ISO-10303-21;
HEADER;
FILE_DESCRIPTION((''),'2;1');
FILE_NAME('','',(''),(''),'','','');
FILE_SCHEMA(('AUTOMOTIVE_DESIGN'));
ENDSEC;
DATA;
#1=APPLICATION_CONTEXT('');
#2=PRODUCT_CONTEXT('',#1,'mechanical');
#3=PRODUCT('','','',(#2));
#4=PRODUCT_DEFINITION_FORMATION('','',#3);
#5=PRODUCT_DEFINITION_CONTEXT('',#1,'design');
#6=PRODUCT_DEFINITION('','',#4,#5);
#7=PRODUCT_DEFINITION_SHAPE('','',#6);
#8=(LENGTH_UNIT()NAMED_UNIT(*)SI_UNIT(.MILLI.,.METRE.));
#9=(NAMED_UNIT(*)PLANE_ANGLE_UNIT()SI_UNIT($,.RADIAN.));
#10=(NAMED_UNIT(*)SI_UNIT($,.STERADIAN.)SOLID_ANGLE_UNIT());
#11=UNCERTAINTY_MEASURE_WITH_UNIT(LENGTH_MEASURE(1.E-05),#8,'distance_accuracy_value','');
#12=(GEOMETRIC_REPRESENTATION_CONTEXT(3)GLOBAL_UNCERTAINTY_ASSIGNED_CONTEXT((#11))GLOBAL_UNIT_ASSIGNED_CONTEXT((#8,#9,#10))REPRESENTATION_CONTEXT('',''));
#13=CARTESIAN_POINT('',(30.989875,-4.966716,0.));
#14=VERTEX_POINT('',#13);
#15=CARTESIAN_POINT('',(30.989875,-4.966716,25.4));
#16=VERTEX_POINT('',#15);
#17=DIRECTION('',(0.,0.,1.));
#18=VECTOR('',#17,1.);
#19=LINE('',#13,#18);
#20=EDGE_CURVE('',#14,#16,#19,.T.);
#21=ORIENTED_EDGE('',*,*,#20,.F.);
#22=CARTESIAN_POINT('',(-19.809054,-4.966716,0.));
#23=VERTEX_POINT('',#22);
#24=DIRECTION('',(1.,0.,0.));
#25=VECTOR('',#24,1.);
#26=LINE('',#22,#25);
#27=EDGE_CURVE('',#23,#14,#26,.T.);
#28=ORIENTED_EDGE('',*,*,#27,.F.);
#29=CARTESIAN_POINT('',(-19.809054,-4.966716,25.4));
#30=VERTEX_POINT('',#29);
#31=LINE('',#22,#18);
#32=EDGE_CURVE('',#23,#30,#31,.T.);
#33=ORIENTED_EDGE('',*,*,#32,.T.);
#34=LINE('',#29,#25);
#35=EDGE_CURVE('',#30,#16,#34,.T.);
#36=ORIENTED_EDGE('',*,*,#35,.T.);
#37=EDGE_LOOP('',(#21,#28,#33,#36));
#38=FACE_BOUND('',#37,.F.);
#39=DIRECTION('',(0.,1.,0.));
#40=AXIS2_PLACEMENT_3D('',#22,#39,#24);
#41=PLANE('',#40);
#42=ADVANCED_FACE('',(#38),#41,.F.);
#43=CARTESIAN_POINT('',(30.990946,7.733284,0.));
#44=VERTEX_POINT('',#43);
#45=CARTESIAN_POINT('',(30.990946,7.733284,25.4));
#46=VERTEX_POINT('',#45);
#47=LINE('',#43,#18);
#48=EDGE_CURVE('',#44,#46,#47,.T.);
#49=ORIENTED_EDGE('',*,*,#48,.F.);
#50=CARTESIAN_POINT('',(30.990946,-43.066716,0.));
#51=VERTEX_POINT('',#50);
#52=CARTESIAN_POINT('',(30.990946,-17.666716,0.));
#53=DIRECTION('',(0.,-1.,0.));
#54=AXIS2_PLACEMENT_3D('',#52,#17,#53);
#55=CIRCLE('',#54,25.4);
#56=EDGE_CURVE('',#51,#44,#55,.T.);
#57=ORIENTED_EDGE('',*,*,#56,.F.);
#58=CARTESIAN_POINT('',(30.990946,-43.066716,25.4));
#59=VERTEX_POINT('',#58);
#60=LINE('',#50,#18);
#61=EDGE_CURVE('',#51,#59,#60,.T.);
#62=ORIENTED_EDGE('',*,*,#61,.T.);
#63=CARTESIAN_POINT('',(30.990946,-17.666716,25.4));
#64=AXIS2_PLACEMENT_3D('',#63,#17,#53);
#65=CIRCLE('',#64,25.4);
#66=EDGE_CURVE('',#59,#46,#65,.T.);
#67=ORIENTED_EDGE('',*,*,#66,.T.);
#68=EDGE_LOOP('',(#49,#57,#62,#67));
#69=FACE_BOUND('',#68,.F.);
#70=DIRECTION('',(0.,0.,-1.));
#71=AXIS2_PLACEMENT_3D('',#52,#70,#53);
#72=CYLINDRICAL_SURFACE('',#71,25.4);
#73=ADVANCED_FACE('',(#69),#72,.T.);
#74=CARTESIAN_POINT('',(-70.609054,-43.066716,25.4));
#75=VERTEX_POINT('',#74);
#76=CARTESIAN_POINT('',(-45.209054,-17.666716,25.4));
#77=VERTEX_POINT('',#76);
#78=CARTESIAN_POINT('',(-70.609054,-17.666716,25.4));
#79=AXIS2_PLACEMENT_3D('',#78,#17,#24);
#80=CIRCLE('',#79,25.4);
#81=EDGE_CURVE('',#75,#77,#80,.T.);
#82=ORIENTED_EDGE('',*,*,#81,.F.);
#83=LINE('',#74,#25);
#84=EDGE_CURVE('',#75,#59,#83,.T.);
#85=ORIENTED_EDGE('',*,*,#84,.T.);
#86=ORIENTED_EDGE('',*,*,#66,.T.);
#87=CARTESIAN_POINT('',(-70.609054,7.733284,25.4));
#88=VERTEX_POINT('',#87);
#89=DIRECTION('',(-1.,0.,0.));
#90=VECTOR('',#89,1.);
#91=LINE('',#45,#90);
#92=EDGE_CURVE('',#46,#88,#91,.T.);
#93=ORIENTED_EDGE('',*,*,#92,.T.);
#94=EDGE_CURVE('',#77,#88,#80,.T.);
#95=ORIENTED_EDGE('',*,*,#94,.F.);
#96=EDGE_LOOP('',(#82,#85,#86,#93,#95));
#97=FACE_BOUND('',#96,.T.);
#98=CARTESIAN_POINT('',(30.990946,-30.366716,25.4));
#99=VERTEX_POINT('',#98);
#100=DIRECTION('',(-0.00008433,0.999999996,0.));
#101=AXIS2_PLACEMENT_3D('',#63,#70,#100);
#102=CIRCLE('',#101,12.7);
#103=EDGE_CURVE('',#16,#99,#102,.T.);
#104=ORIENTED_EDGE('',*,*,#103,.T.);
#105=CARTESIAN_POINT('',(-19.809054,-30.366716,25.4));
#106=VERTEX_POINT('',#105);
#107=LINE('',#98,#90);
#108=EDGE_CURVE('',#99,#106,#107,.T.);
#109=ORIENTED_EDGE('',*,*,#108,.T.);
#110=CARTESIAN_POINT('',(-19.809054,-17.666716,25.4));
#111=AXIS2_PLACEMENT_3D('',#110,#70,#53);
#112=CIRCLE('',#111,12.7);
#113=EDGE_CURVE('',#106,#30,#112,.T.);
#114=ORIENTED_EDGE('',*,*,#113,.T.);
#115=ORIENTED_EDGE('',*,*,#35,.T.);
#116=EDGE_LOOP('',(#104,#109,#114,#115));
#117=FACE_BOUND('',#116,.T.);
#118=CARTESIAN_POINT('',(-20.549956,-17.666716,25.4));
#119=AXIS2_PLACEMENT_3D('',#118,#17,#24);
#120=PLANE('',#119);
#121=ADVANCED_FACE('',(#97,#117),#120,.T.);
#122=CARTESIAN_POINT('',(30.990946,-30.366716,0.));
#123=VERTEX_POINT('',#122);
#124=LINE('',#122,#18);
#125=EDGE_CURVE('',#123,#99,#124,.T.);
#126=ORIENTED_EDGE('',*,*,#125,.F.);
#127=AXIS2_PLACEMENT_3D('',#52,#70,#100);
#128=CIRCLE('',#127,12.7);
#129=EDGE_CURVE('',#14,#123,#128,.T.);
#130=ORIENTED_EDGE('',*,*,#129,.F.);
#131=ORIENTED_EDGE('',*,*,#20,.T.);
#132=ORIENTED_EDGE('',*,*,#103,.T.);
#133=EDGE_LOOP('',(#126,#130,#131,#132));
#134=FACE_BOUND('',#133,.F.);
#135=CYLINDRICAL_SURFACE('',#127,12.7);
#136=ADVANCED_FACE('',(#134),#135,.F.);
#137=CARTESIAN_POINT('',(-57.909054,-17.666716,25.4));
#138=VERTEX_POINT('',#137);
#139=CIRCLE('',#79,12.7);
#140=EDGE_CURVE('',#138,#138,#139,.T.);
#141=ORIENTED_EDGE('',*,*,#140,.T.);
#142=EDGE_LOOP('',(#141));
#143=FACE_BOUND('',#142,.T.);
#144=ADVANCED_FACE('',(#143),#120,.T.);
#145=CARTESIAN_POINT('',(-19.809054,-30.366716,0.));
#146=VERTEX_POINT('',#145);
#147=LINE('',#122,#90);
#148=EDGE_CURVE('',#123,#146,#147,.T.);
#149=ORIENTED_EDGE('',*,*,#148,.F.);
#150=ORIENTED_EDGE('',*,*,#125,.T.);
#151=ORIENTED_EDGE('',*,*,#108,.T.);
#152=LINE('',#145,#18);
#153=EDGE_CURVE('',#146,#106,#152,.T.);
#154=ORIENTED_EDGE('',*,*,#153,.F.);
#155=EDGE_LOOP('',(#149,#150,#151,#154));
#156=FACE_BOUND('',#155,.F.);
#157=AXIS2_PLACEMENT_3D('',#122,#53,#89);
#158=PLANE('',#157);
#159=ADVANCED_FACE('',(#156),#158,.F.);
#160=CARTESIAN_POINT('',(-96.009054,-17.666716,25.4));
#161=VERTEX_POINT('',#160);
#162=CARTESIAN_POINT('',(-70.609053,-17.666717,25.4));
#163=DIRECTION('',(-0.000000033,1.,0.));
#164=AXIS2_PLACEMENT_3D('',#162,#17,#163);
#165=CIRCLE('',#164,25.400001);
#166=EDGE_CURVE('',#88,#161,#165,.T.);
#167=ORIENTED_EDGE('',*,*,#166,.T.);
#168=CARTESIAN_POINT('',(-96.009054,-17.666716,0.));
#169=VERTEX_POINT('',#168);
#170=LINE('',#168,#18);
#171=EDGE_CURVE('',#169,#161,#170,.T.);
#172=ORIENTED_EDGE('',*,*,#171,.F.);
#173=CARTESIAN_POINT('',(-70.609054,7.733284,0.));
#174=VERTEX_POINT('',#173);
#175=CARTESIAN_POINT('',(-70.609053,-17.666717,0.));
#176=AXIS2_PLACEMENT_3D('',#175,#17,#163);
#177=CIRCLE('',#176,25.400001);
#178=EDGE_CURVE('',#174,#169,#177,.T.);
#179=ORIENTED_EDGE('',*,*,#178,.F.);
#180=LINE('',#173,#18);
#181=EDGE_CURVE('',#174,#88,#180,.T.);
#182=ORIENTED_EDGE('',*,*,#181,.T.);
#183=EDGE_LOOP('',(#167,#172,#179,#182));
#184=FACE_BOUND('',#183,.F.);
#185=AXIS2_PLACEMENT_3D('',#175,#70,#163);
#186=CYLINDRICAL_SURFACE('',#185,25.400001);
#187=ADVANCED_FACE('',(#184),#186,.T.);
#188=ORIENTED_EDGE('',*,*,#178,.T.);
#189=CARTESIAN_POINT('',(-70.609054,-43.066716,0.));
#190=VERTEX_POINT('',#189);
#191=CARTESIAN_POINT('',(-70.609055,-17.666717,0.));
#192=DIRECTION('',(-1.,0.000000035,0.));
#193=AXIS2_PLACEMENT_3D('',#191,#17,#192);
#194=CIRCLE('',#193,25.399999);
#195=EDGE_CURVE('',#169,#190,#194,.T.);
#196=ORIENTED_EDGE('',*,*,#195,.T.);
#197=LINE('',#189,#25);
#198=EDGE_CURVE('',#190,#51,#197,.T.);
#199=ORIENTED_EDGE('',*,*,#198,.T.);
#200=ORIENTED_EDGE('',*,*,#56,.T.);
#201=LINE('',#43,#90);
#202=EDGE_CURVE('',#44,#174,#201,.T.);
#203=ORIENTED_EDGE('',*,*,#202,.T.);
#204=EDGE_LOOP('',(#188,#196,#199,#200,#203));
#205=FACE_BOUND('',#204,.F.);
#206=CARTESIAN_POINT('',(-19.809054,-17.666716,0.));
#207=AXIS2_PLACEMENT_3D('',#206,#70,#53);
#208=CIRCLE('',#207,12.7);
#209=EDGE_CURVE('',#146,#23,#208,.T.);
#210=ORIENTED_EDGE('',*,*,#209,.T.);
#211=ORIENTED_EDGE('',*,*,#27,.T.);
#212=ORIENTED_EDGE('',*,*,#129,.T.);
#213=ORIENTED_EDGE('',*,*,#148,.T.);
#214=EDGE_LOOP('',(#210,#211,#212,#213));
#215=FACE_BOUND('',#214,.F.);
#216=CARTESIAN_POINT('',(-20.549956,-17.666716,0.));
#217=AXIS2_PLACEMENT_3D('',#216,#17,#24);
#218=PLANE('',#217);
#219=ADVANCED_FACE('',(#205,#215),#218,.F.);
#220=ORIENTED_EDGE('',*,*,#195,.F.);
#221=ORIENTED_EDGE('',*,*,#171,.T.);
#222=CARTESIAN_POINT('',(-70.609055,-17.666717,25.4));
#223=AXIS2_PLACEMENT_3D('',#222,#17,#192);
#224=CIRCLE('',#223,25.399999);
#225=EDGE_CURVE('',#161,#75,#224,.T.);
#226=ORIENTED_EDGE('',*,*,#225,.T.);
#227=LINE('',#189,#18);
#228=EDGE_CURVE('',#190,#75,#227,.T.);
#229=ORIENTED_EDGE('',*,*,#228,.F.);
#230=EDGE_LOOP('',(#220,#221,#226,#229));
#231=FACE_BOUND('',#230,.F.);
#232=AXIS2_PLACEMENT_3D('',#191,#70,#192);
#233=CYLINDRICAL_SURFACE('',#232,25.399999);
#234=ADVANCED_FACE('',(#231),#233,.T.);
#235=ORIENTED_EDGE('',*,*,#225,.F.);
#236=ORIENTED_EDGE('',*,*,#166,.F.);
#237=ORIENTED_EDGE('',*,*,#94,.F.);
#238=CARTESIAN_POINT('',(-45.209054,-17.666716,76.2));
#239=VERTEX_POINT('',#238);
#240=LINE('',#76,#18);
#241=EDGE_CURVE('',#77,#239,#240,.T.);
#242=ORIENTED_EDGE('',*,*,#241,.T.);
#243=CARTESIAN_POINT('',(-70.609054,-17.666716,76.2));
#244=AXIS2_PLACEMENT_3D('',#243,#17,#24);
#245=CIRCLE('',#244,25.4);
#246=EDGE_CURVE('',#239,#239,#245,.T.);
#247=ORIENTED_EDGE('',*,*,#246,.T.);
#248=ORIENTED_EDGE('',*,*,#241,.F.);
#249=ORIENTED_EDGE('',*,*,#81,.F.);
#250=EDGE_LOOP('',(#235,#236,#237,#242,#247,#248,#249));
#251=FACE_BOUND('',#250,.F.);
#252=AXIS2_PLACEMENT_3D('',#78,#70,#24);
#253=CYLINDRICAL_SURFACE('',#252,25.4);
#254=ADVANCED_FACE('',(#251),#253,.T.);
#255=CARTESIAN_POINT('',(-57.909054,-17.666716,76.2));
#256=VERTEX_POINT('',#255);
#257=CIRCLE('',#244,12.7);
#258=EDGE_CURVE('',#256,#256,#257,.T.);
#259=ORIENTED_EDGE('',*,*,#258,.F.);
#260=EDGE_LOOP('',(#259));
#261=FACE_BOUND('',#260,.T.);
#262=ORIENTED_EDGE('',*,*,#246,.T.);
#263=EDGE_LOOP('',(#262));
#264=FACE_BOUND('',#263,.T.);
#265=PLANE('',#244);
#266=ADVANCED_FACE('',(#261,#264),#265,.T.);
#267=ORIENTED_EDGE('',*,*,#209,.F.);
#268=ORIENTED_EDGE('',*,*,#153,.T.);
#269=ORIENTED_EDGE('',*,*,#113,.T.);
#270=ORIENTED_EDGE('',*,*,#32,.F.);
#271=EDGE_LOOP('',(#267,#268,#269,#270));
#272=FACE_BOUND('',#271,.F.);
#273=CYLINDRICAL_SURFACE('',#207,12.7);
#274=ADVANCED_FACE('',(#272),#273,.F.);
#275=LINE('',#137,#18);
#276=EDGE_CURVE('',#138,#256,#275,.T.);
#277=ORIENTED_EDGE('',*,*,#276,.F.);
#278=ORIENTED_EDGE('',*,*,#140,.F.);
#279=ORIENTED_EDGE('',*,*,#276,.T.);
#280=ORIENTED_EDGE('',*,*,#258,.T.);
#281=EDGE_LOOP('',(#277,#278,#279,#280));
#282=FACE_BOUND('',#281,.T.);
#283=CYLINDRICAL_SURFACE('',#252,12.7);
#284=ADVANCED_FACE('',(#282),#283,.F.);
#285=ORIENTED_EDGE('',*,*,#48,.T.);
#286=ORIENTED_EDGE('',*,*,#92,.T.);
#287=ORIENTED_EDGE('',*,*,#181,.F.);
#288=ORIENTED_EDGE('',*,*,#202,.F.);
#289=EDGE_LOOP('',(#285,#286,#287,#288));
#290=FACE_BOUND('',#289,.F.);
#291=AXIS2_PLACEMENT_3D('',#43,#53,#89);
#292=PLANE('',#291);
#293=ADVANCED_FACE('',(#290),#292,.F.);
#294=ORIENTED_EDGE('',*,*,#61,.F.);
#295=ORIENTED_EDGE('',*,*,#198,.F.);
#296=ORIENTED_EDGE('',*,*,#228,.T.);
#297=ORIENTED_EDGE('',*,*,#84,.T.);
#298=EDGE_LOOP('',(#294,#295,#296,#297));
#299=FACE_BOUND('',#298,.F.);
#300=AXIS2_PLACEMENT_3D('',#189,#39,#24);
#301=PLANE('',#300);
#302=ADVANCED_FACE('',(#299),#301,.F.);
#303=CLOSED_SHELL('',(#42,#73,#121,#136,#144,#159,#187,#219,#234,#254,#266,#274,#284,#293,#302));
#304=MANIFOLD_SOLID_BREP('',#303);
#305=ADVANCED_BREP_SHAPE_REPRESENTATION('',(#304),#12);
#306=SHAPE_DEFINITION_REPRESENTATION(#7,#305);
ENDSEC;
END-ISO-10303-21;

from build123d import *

# Parameters (mm, degrees)
F1_DEPTH = 25.4
F2_R     = 25.4
F2_R_2   = 12.7
F3_DEPTH = 50.8


with BuildPart() as f1:
    # F0 (on Top) → F1 (new body)
    with BuildSketch(Plane.XY):
        with BuildLine():
            ThreePointArc((-96.009054, -17.666716), (-88.569566, -35.627229), (-70.609054, -43.066716))
            Line((-70.609054, -43.066716), (30.990946, -43.066716))
            ThreePointArc((30.990946, -43.066716), (56.390946, -17.666716), (30.990946, 7.733284))
            Line((30.990946, 7.733284), (-70.609054, 7.733284))
            ThreePointArc((-70.609054, 7.733284), (-88.569566, 0.293796), (-96.009054, -17.666716))
        make_face()
        with BuildLine():
            ThreePointArc((30.989875, -4.966716), (43.690946, -17.666181), (30.990946, -30.366716))
            Line((30.990946, -30.366716), (-19.809054, -30.366716))
            ThreePointArc((-19.809054, -30.366716), (-32.509054, -17.666716), (-19.809054, -4.966716))
            Line((-19.809054, -4.966716), (30.989875, -4.966716))
        make_face(mode=Mode.SUBTRACT)
    extrude(amount=F1_DEPTH)

    # F2 (on face) → F3 (join)
    with BuildSketch(Plane.XY.offset(25.4)):
        with Locations((-70.609054, -17.666716)):
            Circle(F2_R)
        with Locations((-70.609054, -17.666716)):
            Circle(F2_R_2, mode=Mode.SUBTRACT)
    extrude(amount=F3_DEPTH)


solid = f1.part
